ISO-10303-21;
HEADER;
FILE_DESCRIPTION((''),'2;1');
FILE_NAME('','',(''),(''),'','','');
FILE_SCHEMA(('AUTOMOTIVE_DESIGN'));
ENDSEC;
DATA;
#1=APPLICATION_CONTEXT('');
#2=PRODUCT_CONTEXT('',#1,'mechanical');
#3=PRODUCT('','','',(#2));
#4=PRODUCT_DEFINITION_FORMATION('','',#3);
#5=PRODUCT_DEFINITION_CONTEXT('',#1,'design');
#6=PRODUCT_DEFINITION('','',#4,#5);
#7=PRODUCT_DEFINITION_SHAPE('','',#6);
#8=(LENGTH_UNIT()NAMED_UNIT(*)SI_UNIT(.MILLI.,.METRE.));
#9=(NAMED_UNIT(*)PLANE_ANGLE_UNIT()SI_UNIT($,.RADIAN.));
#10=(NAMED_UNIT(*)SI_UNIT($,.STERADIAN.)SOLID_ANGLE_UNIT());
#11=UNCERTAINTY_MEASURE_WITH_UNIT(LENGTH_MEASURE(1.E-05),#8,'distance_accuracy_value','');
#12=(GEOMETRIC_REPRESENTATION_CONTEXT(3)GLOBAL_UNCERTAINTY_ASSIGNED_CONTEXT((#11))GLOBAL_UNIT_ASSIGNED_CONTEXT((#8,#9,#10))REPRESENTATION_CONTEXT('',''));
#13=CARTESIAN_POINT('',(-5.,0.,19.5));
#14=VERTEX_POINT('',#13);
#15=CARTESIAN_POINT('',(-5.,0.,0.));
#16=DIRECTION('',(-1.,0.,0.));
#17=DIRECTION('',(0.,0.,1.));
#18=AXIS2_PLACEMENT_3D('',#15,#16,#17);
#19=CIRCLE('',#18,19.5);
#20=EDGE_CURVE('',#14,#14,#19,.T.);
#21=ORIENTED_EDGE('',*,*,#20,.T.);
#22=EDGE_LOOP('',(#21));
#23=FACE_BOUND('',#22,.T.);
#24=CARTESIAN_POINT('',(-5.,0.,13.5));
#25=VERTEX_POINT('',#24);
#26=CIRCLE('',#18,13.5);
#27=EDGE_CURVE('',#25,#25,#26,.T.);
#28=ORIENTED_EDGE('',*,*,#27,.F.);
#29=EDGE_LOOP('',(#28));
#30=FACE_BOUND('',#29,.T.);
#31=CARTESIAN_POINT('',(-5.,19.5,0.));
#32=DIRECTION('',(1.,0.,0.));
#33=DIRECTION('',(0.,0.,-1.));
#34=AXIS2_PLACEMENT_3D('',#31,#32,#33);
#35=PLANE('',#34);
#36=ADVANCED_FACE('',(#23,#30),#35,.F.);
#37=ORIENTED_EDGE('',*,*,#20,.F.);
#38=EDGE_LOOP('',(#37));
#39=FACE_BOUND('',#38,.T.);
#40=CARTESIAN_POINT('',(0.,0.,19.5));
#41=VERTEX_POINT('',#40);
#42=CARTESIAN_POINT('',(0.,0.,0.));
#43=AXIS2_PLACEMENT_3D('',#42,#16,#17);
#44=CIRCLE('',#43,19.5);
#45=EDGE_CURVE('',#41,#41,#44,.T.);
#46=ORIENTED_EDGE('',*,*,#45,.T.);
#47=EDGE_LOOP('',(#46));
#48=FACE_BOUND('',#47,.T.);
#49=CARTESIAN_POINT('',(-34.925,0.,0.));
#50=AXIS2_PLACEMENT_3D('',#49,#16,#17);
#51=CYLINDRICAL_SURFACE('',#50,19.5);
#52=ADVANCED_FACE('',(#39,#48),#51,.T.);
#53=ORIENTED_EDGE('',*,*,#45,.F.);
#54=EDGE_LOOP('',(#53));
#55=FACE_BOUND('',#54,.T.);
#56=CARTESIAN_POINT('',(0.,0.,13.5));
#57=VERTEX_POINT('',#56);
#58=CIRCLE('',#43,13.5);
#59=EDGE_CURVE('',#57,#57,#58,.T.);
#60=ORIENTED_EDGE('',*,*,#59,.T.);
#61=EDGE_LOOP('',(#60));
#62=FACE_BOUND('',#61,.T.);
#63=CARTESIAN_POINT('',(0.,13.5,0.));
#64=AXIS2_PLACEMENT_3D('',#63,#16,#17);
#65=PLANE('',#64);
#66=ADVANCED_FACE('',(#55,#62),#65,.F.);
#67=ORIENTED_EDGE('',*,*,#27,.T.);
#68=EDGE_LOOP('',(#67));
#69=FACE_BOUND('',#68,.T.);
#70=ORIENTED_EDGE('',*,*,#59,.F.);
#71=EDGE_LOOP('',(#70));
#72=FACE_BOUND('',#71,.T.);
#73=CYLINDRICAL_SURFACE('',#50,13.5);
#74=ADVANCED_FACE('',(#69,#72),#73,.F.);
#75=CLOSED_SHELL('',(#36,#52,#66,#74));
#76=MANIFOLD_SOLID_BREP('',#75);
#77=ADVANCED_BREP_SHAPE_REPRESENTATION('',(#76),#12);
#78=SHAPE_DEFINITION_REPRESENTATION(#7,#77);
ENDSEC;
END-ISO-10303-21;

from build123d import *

# Parameters (mm, degrees)
SKETCH1_W = 5
SKETCH1_H = 6


with BuildPart() as part:
    # Sketch1 → Base-Revolve (revolve)
    with BuildSketch(Plane.XY, mode=Mode.PRIVATE) as base_revolve_sk:
        with Locations((-2.5, 16.5)):
            Rectangle(SKETCH1_W, SKETCH1_H)
    revolve(base_revolve_sk.sketch.rotate(Axis((-34.925, 0, 0), (1, 0, 0)), 90), axis=Axis((-34.925, 0, 0), (1, 0, 0)))


solid = part.part
